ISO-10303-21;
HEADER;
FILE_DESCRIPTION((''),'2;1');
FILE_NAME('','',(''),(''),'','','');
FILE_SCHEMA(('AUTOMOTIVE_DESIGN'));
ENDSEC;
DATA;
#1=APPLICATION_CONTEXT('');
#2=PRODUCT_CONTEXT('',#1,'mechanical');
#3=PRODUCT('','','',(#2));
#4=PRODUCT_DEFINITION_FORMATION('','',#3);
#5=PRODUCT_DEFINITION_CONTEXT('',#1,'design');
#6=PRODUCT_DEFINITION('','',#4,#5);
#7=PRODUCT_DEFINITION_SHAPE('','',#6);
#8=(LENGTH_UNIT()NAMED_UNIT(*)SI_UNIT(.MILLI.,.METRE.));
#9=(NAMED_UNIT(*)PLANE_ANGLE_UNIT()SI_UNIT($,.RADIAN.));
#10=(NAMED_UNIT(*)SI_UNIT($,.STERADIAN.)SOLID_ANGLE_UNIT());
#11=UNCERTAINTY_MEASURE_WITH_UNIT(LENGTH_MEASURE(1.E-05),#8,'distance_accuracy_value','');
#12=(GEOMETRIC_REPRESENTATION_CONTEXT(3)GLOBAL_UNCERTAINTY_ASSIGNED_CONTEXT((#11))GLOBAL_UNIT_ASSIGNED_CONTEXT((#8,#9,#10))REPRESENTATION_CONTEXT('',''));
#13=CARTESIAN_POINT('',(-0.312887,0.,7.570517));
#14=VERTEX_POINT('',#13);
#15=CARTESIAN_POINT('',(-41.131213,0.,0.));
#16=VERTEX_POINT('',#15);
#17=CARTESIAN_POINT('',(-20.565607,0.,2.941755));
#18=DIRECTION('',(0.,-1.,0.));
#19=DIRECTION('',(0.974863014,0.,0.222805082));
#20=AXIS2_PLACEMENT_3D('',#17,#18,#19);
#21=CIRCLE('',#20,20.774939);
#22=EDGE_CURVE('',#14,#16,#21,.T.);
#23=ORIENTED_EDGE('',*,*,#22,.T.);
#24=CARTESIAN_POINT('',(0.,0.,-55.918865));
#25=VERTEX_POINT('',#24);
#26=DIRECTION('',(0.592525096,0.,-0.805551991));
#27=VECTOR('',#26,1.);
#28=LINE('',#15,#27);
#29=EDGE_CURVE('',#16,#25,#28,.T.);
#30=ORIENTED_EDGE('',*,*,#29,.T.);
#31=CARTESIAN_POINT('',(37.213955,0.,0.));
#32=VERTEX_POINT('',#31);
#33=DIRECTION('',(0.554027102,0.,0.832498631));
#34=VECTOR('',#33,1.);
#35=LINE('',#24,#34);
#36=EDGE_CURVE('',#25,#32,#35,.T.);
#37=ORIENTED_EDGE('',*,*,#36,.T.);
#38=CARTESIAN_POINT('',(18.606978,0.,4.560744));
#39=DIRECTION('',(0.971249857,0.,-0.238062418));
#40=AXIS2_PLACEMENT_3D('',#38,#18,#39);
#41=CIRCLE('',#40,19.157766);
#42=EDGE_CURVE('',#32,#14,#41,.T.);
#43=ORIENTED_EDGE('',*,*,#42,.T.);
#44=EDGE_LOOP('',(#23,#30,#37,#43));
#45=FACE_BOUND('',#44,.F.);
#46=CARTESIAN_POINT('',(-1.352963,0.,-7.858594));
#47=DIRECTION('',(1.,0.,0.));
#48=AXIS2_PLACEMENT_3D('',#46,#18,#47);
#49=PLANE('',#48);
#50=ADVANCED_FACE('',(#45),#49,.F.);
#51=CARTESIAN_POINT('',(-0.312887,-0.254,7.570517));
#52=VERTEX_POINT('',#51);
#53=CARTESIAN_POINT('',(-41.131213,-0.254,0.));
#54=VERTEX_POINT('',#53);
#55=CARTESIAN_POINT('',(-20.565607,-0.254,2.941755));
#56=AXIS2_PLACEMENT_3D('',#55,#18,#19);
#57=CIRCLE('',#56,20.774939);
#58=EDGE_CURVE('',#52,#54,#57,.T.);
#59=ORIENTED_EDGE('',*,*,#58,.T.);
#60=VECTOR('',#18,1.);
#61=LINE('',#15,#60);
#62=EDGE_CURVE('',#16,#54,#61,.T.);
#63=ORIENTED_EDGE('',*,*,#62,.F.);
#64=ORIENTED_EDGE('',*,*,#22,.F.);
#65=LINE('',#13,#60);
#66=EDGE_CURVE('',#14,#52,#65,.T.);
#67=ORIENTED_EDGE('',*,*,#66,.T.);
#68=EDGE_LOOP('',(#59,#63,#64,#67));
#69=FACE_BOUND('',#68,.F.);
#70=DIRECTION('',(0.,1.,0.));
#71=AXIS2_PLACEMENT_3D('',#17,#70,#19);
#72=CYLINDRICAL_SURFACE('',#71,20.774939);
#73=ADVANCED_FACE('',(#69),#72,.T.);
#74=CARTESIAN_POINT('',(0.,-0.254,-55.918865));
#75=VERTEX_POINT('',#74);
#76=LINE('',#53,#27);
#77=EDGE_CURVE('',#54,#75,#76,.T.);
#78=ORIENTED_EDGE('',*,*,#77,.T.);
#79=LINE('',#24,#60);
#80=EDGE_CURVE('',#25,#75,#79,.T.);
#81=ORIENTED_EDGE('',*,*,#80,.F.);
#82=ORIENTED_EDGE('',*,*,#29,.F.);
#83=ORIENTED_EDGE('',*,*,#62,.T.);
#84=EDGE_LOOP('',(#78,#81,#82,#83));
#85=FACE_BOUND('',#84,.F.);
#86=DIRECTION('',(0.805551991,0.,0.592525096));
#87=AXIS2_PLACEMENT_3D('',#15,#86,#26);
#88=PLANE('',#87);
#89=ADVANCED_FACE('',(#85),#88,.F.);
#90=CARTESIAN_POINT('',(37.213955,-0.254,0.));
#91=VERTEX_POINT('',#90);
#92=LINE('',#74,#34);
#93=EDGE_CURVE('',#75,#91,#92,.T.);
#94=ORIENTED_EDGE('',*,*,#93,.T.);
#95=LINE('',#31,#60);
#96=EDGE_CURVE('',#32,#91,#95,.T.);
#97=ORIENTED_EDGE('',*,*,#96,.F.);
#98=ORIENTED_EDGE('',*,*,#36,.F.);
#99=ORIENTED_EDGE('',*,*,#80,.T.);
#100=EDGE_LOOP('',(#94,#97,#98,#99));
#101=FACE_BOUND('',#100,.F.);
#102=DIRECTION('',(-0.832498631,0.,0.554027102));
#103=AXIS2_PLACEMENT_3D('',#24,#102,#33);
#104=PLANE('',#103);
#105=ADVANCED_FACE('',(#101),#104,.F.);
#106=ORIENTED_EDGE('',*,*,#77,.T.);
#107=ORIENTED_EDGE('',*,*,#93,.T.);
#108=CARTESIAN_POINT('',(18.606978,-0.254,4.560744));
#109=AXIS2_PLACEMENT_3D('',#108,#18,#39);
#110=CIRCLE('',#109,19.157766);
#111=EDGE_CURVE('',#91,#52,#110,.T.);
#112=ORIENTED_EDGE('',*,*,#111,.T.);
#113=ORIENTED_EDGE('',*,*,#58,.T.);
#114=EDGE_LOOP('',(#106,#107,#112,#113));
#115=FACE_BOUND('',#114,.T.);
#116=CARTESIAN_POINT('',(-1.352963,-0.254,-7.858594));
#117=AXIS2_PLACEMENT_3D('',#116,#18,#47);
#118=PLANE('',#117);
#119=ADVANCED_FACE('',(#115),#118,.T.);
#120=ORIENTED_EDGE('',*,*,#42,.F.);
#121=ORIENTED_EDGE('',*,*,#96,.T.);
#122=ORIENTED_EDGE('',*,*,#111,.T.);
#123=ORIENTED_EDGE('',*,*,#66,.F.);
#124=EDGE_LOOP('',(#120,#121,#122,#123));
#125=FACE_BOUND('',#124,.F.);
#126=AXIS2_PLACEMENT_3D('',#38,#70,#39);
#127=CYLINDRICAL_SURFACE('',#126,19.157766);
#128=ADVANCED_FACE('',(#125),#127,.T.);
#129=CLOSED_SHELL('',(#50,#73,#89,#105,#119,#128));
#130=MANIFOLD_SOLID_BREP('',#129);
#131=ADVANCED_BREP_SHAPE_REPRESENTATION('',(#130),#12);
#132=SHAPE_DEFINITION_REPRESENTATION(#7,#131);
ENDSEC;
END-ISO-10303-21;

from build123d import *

# Parameters (mm, degrees)
F1_DEPTH = 0.254


with BuildPart() as f1:
    # F0 (on Front) → F1 (new body)
    with BuildSketch(Plane.XZ):
        with BuildLine():
            Line((-41.1312133074, 0), (0, -55.9188649058))
            Line((0, -55.9188649058), (37.2139550745, 0))
            ThreePointArc((37.2139550745, 0), (22.3954676377, 23.3401834658), (-0.312886779, 7.57051721))
            ThreePointArc((-0.312886779, 7.57051721), (-24.3540967541, 23.3683418342), (-41.1312133074, 0))
        make_face()
        with BuildLine():
            ThreePointArc((0, 0), (-0.5344473727, 3.7696358351), (-0.312886779, 7.57051721))
            ThreePointArc((-0.312886779, 7.57051721), (0.1916120389, 3.7996436118), (0, 0))
        make_face(mode=Mode.SUBTRACT)
        with BuildLine():
            ThreePointArc((0, 0), (0.1916120389, 3.7996436118), (-0.312886779, 7.57051721))
            ThreePointArc((-0.312886779, 7.57051721), (-0.5344473727, 3.7696358351), (0, 0))
        make_face()
    extrude(amount=F1_DEPTH)


solid = f1.part
